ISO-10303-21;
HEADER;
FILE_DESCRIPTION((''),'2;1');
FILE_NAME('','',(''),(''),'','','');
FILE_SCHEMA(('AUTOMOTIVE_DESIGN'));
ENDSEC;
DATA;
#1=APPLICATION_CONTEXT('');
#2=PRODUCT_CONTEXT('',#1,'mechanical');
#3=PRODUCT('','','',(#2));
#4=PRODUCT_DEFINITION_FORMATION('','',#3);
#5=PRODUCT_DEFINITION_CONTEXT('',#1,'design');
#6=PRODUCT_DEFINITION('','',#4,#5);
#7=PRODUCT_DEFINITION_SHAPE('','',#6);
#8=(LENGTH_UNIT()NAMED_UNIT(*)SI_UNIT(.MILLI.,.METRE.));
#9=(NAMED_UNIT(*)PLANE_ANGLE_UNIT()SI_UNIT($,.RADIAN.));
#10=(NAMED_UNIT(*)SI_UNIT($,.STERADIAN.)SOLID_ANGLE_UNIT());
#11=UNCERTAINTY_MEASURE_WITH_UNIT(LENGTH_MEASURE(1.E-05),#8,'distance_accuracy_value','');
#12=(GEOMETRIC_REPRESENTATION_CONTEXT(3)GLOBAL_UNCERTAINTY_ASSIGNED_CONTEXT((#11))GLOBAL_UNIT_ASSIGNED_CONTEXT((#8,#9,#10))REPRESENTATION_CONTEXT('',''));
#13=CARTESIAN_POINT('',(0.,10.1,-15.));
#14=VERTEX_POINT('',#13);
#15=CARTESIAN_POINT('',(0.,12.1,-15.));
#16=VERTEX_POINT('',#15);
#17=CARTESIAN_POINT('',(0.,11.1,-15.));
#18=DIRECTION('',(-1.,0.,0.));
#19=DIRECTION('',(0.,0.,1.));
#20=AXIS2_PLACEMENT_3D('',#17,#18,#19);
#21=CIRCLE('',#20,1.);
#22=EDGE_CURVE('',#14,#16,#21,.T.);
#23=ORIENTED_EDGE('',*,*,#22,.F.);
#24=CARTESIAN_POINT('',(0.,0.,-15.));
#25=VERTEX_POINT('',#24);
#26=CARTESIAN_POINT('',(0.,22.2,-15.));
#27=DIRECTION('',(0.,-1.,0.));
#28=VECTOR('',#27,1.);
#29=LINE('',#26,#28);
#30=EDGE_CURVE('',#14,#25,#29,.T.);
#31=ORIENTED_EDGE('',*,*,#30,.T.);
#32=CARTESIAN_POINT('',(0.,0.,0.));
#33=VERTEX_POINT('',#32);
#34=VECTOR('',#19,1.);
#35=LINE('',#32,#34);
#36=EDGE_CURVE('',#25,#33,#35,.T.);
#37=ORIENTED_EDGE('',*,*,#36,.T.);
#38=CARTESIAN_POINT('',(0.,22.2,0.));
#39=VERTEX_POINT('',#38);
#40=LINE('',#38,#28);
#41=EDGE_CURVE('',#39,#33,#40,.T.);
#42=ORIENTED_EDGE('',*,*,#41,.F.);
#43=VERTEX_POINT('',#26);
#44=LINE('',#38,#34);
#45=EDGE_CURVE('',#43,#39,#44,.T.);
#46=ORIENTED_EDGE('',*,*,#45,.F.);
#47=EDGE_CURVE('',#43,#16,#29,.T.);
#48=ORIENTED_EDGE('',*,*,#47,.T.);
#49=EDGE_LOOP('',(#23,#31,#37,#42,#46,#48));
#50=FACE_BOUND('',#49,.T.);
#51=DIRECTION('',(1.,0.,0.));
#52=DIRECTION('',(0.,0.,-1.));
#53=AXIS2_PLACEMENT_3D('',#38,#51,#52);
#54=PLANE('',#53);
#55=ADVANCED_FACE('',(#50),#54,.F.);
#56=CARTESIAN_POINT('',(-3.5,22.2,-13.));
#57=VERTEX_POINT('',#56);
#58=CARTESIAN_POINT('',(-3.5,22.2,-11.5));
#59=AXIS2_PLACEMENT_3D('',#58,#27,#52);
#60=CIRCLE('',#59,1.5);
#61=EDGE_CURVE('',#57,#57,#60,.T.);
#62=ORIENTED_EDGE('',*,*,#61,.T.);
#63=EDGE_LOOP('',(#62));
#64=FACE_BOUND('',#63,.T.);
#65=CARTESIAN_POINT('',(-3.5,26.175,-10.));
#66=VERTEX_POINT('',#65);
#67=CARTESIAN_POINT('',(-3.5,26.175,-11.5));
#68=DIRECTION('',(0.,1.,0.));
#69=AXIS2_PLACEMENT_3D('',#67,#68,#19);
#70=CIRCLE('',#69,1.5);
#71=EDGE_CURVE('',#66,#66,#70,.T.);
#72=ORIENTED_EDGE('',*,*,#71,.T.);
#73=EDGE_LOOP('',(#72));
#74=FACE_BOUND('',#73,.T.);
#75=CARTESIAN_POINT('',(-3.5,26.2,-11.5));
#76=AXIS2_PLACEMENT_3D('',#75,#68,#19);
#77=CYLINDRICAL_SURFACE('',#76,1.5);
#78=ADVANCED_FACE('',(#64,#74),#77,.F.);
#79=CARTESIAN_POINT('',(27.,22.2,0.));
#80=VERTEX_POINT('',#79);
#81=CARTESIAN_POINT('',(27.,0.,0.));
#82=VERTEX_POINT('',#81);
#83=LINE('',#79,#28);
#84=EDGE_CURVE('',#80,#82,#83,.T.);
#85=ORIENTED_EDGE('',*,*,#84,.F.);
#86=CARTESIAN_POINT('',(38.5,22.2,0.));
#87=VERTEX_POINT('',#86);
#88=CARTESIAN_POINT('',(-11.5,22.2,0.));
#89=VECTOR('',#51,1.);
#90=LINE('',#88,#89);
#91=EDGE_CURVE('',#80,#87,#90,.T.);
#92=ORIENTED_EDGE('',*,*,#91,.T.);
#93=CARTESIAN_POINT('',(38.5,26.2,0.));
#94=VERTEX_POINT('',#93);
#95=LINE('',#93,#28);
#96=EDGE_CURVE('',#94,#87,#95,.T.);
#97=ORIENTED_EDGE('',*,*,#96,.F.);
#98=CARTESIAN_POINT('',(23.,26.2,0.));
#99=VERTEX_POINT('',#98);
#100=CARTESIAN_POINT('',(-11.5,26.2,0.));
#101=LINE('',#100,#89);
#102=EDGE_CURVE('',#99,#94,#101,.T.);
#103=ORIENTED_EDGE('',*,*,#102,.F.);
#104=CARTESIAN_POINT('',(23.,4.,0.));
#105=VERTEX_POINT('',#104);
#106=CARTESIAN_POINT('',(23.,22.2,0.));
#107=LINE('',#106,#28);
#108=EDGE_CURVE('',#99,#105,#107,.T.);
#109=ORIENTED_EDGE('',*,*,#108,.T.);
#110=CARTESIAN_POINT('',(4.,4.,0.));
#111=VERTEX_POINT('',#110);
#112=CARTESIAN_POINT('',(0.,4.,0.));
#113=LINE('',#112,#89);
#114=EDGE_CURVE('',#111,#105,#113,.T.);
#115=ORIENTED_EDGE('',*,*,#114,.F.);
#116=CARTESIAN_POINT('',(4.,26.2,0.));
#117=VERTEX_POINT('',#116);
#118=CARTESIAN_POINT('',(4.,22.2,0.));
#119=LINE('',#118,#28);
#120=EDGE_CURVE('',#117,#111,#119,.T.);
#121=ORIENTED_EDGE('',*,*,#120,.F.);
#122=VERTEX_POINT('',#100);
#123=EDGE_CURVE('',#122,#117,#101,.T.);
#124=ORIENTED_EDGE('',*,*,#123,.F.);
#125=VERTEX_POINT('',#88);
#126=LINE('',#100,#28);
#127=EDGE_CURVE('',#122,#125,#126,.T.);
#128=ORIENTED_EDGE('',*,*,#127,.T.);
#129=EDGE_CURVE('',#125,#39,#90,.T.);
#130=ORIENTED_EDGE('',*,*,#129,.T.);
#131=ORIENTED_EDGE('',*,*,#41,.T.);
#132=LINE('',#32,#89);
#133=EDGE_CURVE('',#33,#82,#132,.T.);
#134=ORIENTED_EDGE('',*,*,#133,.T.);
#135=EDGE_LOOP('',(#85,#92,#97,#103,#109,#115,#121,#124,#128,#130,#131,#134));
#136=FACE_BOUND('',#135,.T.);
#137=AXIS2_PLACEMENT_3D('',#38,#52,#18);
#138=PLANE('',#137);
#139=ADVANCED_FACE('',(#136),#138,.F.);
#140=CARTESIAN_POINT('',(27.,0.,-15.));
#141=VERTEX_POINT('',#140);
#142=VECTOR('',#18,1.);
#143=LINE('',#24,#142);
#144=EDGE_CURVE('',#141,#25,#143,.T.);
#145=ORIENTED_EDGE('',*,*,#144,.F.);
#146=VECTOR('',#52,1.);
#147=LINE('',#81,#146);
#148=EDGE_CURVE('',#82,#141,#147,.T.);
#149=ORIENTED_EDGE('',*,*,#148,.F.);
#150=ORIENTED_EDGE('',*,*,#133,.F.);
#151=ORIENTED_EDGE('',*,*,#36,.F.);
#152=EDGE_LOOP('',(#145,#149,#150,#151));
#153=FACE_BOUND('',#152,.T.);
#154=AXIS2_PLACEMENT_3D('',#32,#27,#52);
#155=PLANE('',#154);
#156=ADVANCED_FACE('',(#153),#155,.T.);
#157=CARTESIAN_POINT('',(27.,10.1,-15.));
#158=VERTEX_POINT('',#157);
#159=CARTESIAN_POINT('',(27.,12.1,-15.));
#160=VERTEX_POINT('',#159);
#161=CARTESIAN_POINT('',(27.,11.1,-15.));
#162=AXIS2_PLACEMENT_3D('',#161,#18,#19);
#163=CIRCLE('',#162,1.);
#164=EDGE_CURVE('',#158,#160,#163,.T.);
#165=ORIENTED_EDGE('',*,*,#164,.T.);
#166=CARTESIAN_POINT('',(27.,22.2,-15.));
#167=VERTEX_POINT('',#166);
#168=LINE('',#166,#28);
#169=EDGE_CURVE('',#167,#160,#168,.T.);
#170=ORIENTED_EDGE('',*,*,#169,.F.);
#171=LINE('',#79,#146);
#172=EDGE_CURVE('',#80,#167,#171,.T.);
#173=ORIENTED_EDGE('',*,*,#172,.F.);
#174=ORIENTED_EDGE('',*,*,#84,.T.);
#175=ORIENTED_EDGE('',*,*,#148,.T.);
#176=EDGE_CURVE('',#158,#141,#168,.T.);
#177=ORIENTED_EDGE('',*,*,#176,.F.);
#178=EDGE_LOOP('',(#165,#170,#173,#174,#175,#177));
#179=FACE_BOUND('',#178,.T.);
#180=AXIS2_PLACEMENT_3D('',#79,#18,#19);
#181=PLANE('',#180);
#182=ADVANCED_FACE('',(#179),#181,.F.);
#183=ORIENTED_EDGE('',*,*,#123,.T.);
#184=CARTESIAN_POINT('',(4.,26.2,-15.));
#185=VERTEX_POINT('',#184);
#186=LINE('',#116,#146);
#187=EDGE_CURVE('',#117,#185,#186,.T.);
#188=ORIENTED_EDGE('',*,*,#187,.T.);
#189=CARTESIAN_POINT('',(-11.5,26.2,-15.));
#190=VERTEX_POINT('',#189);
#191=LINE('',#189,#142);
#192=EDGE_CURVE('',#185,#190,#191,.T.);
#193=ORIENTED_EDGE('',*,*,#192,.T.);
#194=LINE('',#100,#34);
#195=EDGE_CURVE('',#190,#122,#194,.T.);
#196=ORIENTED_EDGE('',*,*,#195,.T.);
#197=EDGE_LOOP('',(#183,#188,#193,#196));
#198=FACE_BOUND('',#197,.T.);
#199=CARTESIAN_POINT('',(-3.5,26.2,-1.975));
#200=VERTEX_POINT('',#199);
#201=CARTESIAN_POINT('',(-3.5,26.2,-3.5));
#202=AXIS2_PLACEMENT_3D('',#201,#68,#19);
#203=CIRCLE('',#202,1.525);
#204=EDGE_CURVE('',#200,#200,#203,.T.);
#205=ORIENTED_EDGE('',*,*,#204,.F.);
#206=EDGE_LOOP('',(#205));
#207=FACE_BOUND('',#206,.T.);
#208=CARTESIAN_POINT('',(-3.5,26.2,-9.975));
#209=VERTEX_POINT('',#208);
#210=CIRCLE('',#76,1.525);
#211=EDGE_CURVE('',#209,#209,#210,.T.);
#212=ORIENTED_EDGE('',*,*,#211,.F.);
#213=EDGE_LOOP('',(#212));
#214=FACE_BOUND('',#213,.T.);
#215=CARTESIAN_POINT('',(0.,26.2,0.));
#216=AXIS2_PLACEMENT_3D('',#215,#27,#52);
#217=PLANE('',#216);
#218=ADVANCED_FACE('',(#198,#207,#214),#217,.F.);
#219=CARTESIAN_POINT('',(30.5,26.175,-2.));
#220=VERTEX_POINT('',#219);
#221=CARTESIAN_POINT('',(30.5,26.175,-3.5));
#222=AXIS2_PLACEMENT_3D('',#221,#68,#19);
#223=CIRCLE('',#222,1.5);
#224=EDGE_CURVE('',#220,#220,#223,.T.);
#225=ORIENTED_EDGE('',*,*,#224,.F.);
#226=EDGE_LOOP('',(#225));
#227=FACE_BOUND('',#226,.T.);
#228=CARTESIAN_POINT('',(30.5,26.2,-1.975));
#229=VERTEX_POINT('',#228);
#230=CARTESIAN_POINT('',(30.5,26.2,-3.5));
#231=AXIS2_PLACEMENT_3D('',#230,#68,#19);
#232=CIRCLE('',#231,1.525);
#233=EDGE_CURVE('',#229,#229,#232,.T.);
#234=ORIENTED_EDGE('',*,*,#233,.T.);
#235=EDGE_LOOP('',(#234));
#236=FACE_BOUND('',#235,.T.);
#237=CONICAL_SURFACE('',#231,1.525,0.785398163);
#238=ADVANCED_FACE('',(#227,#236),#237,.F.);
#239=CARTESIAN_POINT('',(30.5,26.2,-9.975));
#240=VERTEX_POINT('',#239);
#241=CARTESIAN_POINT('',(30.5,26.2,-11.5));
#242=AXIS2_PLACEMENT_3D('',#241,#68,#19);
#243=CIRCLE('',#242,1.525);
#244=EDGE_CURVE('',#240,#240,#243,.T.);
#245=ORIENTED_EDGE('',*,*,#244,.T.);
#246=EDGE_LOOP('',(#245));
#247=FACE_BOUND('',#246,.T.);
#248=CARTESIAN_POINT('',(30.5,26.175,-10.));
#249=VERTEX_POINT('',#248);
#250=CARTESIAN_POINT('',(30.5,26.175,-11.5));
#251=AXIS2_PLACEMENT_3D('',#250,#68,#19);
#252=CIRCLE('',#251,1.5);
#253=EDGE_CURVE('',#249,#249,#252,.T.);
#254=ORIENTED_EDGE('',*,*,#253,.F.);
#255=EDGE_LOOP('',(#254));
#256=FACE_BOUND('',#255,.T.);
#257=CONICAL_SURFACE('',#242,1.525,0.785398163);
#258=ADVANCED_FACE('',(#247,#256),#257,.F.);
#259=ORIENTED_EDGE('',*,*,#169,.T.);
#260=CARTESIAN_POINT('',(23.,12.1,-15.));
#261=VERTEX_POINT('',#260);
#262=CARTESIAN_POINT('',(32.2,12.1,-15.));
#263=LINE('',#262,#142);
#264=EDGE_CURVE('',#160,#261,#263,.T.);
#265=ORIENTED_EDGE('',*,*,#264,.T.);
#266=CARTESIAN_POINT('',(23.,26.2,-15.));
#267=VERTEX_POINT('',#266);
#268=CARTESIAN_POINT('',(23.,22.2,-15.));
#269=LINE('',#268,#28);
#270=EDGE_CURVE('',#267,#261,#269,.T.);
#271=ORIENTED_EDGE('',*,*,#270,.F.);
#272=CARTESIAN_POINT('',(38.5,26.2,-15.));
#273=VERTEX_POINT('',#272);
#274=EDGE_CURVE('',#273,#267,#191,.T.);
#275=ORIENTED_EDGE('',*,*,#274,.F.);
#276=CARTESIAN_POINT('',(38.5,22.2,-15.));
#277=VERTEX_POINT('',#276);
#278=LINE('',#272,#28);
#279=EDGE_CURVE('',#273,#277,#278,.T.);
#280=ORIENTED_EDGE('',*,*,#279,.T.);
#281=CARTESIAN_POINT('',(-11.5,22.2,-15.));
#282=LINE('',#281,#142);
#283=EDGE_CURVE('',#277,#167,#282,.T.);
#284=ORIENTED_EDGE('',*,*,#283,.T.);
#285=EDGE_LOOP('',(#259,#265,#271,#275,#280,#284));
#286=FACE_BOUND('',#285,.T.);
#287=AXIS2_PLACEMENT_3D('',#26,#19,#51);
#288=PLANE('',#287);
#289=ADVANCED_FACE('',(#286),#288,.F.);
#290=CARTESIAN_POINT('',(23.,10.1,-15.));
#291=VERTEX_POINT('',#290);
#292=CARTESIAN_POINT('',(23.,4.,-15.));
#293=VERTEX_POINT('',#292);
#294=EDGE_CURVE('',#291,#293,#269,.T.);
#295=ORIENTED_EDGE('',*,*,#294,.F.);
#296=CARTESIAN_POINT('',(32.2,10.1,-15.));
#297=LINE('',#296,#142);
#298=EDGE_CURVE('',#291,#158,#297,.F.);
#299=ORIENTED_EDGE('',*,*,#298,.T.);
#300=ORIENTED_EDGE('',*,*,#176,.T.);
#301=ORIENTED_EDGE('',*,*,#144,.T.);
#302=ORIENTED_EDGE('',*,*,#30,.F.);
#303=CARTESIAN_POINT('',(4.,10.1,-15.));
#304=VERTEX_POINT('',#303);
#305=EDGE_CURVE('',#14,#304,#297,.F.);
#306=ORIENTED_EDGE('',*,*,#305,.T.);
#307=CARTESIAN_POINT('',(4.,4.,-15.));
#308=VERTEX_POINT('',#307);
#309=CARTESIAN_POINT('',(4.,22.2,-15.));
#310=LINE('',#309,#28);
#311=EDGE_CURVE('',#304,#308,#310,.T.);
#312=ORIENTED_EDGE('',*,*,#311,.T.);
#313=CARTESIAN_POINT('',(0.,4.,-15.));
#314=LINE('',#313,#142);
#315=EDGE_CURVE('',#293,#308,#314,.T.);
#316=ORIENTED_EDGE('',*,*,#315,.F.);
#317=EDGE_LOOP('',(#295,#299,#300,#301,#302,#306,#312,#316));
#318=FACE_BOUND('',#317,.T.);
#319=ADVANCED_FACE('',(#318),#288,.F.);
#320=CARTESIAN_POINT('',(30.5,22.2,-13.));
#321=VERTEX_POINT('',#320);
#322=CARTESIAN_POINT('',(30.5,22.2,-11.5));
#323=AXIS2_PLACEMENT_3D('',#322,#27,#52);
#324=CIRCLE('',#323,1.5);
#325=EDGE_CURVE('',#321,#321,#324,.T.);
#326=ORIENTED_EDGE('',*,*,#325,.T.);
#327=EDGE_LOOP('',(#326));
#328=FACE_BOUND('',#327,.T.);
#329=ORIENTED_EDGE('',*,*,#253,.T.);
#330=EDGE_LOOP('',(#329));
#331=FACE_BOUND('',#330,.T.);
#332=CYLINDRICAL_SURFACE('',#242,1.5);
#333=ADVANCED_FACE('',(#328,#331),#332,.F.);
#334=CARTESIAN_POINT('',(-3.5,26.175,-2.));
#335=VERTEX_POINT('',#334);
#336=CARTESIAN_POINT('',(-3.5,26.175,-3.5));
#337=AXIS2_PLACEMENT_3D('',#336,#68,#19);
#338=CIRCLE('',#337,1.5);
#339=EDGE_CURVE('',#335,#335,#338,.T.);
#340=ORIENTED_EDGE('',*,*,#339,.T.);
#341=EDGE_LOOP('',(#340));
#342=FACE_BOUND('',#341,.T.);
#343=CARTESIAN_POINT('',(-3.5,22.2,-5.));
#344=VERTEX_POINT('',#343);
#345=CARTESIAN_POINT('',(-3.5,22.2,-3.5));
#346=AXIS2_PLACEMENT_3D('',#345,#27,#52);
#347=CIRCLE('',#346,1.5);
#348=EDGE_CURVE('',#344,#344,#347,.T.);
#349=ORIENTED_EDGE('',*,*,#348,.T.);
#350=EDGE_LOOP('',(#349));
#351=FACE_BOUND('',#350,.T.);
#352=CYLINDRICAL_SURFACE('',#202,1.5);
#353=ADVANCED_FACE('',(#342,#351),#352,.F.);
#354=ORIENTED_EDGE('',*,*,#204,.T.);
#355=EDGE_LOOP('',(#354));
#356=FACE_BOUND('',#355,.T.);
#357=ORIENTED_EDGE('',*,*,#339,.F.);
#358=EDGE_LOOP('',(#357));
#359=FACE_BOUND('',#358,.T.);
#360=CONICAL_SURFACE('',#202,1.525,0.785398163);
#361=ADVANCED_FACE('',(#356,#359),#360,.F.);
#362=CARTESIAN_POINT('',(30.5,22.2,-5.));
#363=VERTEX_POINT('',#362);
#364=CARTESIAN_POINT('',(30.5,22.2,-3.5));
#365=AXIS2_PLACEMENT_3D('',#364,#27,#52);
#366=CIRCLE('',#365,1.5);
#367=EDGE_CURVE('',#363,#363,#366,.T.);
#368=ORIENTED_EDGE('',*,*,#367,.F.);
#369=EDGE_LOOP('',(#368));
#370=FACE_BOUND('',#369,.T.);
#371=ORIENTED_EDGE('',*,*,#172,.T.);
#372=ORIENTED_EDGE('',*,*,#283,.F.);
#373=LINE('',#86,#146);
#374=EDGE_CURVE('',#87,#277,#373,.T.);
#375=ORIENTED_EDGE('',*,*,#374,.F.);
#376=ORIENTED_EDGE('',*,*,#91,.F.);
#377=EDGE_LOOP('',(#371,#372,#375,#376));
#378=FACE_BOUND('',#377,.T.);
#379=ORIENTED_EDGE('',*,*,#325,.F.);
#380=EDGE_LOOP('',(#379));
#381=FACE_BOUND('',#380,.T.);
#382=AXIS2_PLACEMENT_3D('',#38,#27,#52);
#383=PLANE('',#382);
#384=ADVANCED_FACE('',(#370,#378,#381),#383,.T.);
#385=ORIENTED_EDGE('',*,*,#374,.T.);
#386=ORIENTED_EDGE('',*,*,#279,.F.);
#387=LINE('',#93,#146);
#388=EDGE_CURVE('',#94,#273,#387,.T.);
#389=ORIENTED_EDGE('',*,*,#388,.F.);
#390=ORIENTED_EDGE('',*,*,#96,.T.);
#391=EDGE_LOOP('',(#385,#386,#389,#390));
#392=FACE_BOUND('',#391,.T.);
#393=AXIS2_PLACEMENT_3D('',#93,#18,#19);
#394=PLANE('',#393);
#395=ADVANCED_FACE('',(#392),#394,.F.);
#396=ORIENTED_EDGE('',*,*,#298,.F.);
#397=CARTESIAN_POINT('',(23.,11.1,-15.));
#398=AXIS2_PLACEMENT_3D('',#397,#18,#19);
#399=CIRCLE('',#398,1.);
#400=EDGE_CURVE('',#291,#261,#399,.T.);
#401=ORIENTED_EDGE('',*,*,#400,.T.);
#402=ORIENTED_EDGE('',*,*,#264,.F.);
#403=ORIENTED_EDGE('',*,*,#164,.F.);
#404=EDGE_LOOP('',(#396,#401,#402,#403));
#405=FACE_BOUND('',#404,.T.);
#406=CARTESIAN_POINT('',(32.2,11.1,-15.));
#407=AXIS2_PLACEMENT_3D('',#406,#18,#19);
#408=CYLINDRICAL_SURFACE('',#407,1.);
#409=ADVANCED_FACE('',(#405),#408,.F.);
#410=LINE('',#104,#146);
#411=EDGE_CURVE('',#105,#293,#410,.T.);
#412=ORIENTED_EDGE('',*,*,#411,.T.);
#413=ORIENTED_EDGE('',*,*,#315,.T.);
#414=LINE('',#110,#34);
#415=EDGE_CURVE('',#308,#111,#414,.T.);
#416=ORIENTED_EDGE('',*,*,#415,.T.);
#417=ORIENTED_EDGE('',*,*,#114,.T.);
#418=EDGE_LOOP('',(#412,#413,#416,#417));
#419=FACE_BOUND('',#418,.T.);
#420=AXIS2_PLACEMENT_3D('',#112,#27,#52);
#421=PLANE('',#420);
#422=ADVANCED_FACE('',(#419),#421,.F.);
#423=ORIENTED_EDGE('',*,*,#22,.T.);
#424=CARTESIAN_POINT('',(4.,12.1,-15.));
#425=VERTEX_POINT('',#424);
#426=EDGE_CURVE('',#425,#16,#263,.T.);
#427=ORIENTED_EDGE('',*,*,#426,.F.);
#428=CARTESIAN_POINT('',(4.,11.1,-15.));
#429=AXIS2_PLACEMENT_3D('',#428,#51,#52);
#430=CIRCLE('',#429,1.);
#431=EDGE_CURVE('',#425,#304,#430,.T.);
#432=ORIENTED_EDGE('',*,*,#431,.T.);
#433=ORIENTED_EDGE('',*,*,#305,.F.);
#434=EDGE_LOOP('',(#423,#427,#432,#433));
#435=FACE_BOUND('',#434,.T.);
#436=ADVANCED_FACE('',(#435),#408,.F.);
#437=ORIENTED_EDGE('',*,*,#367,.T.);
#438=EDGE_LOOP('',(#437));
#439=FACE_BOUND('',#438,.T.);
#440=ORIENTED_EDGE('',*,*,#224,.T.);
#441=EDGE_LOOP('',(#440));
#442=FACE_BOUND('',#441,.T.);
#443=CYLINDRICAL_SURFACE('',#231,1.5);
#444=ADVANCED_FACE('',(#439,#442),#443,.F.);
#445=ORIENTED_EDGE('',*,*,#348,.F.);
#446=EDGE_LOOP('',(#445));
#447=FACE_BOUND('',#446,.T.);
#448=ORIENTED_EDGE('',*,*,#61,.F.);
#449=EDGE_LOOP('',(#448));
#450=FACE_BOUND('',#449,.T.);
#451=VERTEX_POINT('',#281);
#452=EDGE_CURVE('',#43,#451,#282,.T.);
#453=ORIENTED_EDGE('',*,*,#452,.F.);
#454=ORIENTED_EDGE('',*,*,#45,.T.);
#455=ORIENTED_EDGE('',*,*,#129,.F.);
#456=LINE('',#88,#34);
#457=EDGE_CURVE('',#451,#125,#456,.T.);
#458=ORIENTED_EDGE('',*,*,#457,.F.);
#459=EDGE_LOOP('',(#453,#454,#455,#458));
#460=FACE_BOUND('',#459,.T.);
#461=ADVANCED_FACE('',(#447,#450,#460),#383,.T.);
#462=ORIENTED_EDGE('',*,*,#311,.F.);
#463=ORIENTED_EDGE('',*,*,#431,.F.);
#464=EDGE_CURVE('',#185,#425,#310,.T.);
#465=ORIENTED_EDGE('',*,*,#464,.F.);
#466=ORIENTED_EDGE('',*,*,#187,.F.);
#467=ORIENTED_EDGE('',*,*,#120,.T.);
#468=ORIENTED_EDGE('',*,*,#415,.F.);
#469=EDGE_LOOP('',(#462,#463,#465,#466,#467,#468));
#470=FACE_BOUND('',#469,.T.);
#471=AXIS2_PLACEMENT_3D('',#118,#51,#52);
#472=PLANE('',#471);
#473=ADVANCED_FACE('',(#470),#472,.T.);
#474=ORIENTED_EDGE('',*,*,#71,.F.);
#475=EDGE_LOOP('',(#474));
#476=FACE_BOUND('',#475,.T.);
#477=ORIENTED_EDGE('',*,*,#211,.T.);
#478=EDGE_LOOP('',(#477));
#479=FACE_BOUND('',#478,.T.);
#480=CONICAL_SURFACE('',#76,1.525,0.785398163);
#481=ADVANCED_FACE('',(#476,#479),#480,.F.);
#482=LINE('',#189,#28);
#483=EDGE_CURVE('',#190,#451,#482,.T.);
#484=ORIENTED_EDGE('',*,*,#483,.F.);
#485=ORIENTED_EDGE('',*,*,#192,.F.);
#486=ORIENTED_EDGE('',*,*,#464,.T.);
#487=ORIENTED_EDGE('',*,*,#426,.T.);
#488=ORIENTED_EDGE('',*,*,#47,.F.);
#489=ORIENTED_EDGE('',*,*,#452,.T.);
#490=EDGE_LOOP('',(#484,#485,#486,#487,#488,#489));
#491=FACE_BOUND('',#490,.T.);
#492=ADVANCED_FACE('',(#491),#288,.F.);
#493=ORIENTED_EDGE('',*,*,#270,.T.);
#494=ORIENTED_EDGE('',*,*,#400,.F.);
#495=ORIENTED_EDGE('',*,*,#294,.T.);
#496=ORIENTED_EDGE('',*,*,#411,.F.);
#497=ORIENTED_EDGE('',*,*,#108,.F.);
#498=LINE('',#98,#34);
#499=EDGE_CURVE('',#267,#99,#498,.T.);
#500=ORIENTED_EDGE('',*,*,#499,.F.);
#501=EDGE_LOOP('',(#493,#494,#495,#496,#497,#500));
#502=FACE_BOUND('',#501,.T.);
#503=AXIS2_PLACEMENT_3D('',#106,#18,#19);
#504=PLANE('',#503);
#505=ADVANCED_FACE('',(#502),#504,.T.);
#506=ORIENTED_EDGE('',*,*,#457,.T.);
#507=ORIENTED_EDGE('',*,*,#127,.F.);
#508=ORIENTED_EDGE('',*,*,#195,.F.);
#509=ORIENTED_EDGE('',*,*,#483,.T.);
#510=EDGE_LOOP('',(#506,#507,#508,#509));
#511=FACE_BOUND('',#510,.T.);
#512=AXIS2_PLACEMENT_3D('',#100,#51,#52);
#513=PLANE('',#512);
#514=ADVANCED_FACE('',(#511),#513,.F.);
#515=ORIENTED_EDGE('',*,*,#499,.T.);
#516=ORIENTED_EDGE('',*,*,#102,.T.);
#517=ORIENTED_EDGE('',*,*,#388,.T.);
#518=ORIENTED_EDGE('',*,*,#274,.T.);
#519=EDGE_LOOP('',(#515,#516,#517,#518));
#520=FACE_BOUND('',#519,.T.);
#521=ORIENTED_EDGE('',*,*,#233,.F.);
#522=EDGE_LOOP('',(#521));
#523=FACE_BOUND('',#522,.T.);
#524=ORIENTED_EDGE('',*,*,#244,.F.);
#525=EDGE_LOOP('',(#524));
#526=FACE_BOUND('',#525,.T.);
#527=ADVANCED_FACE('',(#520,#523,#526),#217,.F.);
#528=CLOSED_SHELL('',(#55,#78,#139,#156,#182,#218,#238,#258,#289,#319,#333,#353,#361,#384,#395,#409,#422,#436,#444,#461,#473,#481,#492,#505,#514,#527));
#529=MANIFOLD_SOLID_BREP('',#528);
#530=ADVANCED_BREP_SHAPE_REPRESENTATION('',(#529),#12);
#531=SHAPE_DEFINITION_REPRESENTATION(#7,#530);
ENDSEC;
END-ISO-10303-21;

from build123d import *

# Parameters (mm, degrees)
SKETCH_2_W            = 27
SKETCH_2_H            = 15
EXTRUDE_1_DEPTH       = 22.2
SHELL_2_T             = -4
SKETCH_3_R            = 1
CUT_EXTRUDE_1_DEPTH   = 32.2
SKETCH_4_W            = 50
SKETCH_4_H            = 15
EXTRUDE_2_DEPTH       = 4
SKETCH_5_W            = 19
SKETCH_5_H            = 15
CUT_EXTRUDE_2_DEPTH   = 8
F_3_0MM_1_D           = 3
F_3_0MM_1_CSINK_D     = 3.05
F_3_0MM_1_CSINK_ANGLE = 90


with BuildPart() as part:
    # Sketch 2 → Extrude 1 (new body)
    with BuildSketch(Plane(origin=(0, 0, 0), x_dir=(1, 0, 0), z_dir=(0, 1, 0))):
        with Locations((13.5, 7.5)):
            Rectangle(SKETCH_2_W, SKETCH_2_H)
    extrude(amount=EXTRUDE_1_DEPTH)

    # Shell 2
    shell_2_openings = [part.faces().sort_by_distance(p)[0] for p in [
        (13.5, 22.2, -7.5),
        (13.5, 11.1, -15),
        (13.5, 11.1, 0),
    ]]
    offset(amount=SHELL_2_T, openings=shell_2_openings, kind=Kind.INTERSECTION)

    # Sketch 3 → Cut-Extrude 1 (cut)
    with BuildSketch(Plane.ZY):
        with Locations((-15, 11.1)):
            Circle(SKETCH_3_R)
    extrude(amount=-CUT_EXTRUDE_1_DEPTH, mode=Mode.SUBTRACT)

    # Sketch 4 → Extrude 2 (add)
    with BuildSketch(Plane(origin=(0, 22.2, 0), x_dir=(1, 0, 0), z_dir=(0, 1, 0))):
        with Locations((13.5, 7.5)):
            Rectangle(SKETCH_4_W, SKETCH_4_H)
    extrude(amount=EXTRUDE_2_DEPTH)

    # Sketch 5 → Cut-Extrude 2 (cut)
    with BuildSketch(Plane.XZ.offset(-22.2)):
        with Locations((13.5, -7.5)):
            Rectangle(SKETCH_5_W, SKETCH_5_H)
    extrude(amount=-CUT_EXTRUDE_2_DEPTH, mode=Mode.SUBTRACT)

    # 3.0mm _1 (through all)
    with Locations(Plane(origin=(0, 26.2, 0), x_dir=(1, 0, 0), z_dir=(0, 1, 0))):
        with Locations((-3.5, 11.5), (-3.5, 3.5), (30.5, 11.5), (30.5, 3.5)):
            CounterSinkHole(F_3_0MM_1_D / 2, F_3_0MM_1_CSINK_D / 2, counter_sink_angle=F_3_0MM_1_CSINK_ANGLE)


solid = part.part
